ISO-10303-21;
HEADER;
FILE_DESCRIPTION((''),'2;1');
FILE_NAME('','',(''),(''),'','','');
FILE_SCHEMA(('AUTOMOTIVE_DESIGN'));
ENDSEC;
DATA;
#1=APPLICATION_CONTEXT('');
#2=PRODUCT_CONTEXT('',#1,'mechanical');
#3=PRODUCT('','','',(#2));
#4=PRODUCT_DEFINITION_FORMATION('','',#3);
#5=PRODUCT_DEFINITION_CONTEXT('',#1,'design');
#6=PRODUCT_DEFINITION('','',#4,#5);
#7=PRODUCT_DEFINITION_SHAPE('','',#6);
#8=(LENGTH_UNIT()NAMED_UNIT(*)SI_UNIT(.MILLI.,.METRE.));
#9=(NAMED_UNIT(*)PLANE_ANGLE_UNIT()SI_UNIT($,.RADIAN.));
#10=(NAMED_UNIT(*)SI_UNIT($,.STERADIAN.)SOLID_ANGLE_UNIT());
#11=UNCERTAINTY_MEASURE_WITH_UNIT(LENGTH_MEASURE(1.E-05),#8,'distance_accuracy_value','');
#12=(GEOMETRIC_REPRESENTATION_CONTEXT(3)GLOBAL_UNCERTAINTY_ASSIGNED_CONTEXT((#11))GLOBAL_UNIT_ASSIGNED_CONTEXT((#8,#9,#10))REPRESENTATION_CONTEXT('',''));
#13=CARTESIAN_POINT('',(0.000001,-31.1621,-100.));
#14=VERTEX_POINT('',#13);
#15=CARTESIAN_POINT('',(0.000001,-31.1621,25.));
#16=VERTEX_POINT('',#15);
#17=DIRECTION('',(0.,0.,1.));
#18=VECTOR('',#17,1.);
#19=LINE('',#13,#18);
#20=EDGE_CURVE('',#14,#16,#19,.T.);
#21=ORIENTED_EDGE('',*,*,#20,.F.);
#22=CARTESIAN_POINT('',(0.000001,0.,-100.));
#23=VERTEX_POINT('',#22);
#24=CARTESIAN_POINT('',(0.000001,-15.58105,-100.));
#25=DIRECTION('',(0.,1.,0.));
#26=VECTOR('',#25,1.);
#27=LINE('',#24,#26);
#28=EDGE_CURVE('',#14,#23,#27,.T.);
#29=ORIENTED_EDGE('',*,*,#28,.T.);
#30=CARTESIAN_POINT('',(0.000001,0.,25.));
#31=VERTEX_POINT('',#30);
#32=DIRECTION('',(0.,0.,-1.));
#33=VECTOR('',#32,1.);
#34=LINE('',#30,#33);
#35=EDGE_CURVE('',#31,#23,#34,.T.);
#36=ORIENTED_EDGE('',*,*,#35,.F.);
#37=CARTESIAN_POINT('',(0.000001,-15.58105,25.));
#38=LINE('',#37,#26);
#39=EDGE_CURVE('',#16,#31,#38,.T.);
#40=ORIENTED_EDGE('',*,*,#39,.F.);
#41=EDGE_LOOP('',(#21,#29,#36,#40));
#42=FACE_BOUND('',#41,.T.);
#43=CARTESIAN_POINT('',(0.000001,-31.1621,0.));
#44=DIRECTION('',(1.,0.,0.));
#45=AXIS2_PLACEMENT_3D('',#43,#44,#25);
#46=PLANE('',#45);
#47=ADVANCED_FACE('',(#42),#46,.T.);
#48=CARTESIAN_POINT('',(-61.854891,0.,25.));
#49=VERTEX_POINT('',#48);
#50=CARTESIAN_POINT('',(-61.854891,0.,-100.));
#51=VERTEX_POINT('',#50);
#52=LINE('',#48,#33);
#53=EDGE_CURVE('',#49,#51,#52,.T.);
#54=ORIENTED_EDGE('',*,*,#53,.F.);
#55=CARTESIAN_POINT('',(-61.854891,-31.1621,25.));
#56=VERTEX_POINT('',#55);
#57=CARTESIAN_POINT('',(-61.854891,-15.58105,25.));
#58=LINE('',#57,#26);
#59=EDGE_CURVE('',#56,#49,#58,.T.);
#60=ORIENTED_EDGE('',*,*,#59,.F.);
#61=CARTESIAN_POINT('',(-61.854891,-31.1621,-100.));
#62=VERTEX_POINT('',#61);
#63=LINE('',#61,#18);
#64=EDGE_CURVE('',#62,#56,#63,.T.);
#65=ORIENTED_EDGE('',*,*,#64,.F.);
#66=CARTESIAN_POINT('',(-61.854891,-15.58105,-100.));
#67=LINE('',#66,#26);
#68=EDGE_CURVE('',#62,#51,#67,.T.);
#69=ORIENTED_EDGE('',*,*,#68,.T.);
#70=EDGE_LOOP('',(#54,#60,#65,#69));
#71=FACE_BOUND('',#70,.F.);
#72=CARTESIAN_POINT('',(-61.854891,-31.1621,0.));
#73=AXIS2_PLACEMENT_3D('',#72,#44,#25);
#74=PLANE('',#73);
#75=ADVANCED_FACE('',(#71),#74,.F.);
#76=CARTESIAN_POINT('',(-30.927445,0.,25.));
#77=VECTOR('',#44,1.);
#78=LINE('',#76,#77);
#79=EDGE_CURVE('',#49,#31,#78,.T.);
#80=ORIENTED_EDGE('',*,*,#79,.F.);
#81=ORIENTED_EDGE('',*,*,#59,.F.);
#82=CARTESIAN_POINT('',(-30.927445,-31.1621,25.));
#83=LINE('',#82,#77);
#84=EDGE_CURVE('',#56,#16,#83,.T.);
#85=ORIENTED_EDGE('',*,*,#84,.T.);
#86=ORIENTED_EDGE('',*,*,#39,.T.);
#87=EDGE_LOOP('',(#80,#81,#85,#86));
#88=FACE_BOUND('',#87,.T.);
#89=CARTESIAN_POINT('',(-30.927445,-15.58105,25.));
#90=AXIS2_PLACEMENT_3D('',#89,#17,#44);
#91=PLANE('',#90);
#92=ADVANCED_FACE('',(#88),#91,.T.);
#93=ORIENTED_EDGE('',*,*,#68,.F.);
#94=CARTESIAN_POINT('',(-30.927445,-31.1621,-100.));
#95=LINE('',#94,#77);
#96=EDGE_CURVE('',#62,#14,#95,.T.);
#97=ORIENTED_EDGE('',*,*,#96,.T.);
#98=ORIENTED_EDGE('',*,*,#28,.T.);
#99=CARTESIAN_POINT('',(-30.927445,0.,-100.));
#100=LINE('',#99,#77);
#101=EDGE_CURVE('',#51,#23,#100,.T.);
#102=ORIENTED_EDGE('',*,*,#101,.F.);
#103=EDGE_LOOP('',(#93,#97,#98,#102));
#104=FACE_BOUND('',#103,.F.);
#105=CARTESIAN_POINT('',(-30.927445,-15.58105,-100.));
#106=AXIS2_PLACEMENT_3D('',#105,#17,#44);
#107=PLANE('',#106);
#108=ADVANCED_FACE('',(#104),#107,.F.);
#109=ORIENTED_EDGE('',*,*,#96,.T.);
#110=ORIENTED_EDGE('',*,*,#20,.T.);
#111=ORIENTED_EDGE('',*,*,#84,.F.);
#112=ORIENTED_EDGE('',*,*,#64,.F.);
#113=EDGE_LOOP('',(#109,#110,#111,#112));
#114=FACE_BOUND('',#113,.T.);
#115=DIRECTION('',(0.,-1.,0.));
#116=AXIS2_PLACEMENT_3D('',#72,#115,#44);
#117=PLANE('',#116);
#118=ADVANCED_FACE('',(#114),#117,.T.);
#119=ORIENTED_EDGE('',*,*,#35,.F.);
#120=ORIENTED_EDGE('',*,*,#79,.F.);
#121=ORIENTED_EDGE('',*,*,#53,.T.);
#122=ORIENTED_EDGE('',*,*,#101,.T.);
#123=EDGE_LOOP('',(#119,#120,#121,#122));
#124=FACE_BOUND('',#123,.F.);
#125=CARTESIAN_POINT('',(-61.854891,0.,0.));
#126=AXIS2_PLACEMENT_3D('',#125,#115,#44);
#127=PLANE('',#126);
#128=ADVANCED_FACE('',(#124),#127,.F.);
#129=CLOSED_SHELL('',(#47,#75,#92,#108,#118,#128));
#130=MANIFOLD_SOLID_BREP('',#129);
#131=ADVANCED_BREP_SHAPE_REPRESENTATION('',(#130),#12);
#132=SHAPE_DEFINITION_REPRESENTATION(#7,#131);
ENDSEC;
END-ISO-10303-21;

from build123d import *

# Parameters (mm, degrees)
F0_W     = 61.854891
F0_H     = 31.1621
F1_DEPTH = 25
F2_DEPTH = 100


with BuildPart() as f1:
    # F0 (on Top) → F1 (new body)
    with BuildSketch(Plane.XY):
        with Locations((-30.927445, -15.58105)):
            Rectangle(F0_W, F0_H)
    extrude(amount=F1_DEPTH)

    # F0 (on Top) → F2 (join)
    with BuildSketch(Plane.XY):
        with Locations((-30.927445, -15.58105)):
            Rectangle(F0_W, F0_H)
    extrude(amount=-F2_DEPTH)


solid = f1.part
